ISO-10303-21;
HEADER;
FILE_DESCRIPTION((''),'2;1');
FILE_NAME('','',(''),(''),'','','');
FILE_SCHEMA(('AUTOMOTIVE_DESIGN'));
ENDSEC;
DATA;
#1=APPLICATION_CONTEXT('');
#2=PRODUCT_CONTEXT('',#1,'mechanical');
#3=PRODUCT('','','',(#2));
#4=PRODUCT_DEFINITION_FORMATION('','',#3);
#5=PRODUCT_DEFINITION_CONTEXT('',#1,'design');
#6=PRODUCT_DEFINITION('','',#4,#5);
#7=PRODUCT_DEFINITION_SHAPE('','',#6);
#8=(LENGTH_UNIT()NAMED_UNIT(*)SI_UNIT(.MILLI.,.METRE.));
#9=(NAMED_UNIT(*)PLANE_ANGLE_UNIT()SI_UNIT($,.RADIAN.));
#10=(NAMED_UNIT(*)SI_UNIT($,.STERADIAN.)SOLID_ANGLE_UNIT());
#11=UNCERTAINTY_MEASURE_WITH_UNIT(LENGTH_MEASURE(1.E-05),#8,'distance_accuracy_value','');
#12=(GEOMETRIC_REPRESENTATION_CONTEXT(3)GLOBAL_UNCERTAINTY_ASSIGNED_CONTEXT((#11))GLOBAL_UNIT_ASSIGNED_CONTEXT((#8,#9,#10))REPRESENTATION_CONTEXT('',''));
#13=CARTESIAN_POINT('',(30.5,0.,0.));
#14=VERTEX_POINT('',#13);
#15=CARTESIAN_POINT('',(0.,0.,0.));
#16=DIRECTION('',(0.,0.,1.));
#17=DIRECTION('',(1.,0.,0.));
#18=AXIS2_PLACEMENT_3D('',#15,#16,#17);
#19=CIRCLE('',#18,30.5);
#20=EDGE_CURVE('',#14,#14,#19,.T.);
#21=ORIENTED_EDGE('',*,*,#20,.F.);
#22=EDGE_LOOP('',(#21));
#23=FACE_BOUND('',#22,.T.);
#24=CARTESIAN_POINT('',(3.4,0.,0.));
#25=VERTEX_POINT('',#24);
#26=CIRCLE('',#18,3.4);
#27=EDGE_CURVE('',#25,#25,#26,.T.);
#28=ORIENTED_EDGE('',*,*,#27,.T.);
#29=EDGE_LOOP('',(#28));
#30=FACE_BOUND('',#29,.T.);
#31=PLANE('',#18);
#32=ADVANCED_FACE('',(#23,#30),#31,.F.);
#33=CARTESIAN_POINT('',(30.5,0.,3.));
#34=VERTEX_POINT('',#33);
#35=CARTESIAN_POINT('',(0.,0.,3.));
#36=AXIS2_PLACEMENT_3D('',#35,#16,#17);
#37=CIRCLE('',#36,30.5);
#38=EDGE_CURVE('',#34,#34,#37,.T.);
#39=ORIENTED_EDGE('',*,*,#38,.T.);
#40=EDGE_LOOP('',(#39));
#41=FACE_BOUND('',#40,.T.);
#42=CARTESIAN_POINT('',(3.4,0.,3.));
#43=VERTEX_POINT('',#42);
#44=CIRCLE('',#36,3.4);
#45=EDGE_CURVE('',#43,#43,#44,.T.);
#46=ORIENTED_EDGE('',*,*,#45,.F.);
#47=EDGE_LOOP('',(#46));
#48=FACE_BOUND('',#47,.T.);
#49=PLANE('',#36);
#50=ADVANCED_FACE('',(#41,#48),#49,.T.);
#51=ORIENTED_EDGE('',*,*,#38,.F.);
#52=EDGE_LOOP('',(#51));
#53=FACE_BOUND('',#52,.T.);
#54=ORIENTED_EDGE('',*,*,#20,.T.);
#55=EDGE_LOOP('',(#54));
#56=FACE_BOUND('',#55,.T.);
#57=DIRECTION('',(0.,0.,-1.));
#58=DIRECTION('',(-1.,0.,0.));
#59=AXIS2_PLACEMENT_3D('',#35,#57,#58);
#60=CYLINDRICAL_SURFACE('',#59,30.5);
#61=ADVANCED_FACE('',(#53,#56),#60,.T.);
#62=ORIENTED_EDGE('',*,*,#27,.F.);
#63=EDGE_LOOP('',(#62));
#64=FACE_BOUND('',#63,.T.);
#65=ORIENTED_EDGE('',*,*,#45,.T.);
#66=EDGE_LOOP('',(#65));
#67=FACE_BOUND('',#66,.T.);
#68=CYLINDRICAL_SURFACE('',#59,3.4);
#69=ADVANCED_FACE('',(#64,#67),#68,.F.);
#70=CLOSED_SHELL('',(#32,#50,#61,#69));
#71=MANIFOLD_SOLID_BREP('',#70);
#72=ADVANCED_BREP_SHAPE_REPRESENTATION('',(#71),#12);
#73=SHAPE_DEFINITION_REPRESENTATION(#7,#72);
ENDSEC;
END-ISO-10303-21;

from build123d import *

# Parameters (mm, degrees)
MODEL_R             = 30.5
MODEL_R_2           = 3.4
BOSS_EXTRUDE1_DEPTH = 3


with BuildPart() as part:
    # Model → Boss-Extrude1 (new body)
    with BuildSketch(Plane.XY):
        Circle(MODEL_R)
        Circle(MODEL_R_2, mode=Mode.SUBTRACT)
    extrude(amount=BOSS_EXTRUDE1_DEPTH)


solid = part.part
